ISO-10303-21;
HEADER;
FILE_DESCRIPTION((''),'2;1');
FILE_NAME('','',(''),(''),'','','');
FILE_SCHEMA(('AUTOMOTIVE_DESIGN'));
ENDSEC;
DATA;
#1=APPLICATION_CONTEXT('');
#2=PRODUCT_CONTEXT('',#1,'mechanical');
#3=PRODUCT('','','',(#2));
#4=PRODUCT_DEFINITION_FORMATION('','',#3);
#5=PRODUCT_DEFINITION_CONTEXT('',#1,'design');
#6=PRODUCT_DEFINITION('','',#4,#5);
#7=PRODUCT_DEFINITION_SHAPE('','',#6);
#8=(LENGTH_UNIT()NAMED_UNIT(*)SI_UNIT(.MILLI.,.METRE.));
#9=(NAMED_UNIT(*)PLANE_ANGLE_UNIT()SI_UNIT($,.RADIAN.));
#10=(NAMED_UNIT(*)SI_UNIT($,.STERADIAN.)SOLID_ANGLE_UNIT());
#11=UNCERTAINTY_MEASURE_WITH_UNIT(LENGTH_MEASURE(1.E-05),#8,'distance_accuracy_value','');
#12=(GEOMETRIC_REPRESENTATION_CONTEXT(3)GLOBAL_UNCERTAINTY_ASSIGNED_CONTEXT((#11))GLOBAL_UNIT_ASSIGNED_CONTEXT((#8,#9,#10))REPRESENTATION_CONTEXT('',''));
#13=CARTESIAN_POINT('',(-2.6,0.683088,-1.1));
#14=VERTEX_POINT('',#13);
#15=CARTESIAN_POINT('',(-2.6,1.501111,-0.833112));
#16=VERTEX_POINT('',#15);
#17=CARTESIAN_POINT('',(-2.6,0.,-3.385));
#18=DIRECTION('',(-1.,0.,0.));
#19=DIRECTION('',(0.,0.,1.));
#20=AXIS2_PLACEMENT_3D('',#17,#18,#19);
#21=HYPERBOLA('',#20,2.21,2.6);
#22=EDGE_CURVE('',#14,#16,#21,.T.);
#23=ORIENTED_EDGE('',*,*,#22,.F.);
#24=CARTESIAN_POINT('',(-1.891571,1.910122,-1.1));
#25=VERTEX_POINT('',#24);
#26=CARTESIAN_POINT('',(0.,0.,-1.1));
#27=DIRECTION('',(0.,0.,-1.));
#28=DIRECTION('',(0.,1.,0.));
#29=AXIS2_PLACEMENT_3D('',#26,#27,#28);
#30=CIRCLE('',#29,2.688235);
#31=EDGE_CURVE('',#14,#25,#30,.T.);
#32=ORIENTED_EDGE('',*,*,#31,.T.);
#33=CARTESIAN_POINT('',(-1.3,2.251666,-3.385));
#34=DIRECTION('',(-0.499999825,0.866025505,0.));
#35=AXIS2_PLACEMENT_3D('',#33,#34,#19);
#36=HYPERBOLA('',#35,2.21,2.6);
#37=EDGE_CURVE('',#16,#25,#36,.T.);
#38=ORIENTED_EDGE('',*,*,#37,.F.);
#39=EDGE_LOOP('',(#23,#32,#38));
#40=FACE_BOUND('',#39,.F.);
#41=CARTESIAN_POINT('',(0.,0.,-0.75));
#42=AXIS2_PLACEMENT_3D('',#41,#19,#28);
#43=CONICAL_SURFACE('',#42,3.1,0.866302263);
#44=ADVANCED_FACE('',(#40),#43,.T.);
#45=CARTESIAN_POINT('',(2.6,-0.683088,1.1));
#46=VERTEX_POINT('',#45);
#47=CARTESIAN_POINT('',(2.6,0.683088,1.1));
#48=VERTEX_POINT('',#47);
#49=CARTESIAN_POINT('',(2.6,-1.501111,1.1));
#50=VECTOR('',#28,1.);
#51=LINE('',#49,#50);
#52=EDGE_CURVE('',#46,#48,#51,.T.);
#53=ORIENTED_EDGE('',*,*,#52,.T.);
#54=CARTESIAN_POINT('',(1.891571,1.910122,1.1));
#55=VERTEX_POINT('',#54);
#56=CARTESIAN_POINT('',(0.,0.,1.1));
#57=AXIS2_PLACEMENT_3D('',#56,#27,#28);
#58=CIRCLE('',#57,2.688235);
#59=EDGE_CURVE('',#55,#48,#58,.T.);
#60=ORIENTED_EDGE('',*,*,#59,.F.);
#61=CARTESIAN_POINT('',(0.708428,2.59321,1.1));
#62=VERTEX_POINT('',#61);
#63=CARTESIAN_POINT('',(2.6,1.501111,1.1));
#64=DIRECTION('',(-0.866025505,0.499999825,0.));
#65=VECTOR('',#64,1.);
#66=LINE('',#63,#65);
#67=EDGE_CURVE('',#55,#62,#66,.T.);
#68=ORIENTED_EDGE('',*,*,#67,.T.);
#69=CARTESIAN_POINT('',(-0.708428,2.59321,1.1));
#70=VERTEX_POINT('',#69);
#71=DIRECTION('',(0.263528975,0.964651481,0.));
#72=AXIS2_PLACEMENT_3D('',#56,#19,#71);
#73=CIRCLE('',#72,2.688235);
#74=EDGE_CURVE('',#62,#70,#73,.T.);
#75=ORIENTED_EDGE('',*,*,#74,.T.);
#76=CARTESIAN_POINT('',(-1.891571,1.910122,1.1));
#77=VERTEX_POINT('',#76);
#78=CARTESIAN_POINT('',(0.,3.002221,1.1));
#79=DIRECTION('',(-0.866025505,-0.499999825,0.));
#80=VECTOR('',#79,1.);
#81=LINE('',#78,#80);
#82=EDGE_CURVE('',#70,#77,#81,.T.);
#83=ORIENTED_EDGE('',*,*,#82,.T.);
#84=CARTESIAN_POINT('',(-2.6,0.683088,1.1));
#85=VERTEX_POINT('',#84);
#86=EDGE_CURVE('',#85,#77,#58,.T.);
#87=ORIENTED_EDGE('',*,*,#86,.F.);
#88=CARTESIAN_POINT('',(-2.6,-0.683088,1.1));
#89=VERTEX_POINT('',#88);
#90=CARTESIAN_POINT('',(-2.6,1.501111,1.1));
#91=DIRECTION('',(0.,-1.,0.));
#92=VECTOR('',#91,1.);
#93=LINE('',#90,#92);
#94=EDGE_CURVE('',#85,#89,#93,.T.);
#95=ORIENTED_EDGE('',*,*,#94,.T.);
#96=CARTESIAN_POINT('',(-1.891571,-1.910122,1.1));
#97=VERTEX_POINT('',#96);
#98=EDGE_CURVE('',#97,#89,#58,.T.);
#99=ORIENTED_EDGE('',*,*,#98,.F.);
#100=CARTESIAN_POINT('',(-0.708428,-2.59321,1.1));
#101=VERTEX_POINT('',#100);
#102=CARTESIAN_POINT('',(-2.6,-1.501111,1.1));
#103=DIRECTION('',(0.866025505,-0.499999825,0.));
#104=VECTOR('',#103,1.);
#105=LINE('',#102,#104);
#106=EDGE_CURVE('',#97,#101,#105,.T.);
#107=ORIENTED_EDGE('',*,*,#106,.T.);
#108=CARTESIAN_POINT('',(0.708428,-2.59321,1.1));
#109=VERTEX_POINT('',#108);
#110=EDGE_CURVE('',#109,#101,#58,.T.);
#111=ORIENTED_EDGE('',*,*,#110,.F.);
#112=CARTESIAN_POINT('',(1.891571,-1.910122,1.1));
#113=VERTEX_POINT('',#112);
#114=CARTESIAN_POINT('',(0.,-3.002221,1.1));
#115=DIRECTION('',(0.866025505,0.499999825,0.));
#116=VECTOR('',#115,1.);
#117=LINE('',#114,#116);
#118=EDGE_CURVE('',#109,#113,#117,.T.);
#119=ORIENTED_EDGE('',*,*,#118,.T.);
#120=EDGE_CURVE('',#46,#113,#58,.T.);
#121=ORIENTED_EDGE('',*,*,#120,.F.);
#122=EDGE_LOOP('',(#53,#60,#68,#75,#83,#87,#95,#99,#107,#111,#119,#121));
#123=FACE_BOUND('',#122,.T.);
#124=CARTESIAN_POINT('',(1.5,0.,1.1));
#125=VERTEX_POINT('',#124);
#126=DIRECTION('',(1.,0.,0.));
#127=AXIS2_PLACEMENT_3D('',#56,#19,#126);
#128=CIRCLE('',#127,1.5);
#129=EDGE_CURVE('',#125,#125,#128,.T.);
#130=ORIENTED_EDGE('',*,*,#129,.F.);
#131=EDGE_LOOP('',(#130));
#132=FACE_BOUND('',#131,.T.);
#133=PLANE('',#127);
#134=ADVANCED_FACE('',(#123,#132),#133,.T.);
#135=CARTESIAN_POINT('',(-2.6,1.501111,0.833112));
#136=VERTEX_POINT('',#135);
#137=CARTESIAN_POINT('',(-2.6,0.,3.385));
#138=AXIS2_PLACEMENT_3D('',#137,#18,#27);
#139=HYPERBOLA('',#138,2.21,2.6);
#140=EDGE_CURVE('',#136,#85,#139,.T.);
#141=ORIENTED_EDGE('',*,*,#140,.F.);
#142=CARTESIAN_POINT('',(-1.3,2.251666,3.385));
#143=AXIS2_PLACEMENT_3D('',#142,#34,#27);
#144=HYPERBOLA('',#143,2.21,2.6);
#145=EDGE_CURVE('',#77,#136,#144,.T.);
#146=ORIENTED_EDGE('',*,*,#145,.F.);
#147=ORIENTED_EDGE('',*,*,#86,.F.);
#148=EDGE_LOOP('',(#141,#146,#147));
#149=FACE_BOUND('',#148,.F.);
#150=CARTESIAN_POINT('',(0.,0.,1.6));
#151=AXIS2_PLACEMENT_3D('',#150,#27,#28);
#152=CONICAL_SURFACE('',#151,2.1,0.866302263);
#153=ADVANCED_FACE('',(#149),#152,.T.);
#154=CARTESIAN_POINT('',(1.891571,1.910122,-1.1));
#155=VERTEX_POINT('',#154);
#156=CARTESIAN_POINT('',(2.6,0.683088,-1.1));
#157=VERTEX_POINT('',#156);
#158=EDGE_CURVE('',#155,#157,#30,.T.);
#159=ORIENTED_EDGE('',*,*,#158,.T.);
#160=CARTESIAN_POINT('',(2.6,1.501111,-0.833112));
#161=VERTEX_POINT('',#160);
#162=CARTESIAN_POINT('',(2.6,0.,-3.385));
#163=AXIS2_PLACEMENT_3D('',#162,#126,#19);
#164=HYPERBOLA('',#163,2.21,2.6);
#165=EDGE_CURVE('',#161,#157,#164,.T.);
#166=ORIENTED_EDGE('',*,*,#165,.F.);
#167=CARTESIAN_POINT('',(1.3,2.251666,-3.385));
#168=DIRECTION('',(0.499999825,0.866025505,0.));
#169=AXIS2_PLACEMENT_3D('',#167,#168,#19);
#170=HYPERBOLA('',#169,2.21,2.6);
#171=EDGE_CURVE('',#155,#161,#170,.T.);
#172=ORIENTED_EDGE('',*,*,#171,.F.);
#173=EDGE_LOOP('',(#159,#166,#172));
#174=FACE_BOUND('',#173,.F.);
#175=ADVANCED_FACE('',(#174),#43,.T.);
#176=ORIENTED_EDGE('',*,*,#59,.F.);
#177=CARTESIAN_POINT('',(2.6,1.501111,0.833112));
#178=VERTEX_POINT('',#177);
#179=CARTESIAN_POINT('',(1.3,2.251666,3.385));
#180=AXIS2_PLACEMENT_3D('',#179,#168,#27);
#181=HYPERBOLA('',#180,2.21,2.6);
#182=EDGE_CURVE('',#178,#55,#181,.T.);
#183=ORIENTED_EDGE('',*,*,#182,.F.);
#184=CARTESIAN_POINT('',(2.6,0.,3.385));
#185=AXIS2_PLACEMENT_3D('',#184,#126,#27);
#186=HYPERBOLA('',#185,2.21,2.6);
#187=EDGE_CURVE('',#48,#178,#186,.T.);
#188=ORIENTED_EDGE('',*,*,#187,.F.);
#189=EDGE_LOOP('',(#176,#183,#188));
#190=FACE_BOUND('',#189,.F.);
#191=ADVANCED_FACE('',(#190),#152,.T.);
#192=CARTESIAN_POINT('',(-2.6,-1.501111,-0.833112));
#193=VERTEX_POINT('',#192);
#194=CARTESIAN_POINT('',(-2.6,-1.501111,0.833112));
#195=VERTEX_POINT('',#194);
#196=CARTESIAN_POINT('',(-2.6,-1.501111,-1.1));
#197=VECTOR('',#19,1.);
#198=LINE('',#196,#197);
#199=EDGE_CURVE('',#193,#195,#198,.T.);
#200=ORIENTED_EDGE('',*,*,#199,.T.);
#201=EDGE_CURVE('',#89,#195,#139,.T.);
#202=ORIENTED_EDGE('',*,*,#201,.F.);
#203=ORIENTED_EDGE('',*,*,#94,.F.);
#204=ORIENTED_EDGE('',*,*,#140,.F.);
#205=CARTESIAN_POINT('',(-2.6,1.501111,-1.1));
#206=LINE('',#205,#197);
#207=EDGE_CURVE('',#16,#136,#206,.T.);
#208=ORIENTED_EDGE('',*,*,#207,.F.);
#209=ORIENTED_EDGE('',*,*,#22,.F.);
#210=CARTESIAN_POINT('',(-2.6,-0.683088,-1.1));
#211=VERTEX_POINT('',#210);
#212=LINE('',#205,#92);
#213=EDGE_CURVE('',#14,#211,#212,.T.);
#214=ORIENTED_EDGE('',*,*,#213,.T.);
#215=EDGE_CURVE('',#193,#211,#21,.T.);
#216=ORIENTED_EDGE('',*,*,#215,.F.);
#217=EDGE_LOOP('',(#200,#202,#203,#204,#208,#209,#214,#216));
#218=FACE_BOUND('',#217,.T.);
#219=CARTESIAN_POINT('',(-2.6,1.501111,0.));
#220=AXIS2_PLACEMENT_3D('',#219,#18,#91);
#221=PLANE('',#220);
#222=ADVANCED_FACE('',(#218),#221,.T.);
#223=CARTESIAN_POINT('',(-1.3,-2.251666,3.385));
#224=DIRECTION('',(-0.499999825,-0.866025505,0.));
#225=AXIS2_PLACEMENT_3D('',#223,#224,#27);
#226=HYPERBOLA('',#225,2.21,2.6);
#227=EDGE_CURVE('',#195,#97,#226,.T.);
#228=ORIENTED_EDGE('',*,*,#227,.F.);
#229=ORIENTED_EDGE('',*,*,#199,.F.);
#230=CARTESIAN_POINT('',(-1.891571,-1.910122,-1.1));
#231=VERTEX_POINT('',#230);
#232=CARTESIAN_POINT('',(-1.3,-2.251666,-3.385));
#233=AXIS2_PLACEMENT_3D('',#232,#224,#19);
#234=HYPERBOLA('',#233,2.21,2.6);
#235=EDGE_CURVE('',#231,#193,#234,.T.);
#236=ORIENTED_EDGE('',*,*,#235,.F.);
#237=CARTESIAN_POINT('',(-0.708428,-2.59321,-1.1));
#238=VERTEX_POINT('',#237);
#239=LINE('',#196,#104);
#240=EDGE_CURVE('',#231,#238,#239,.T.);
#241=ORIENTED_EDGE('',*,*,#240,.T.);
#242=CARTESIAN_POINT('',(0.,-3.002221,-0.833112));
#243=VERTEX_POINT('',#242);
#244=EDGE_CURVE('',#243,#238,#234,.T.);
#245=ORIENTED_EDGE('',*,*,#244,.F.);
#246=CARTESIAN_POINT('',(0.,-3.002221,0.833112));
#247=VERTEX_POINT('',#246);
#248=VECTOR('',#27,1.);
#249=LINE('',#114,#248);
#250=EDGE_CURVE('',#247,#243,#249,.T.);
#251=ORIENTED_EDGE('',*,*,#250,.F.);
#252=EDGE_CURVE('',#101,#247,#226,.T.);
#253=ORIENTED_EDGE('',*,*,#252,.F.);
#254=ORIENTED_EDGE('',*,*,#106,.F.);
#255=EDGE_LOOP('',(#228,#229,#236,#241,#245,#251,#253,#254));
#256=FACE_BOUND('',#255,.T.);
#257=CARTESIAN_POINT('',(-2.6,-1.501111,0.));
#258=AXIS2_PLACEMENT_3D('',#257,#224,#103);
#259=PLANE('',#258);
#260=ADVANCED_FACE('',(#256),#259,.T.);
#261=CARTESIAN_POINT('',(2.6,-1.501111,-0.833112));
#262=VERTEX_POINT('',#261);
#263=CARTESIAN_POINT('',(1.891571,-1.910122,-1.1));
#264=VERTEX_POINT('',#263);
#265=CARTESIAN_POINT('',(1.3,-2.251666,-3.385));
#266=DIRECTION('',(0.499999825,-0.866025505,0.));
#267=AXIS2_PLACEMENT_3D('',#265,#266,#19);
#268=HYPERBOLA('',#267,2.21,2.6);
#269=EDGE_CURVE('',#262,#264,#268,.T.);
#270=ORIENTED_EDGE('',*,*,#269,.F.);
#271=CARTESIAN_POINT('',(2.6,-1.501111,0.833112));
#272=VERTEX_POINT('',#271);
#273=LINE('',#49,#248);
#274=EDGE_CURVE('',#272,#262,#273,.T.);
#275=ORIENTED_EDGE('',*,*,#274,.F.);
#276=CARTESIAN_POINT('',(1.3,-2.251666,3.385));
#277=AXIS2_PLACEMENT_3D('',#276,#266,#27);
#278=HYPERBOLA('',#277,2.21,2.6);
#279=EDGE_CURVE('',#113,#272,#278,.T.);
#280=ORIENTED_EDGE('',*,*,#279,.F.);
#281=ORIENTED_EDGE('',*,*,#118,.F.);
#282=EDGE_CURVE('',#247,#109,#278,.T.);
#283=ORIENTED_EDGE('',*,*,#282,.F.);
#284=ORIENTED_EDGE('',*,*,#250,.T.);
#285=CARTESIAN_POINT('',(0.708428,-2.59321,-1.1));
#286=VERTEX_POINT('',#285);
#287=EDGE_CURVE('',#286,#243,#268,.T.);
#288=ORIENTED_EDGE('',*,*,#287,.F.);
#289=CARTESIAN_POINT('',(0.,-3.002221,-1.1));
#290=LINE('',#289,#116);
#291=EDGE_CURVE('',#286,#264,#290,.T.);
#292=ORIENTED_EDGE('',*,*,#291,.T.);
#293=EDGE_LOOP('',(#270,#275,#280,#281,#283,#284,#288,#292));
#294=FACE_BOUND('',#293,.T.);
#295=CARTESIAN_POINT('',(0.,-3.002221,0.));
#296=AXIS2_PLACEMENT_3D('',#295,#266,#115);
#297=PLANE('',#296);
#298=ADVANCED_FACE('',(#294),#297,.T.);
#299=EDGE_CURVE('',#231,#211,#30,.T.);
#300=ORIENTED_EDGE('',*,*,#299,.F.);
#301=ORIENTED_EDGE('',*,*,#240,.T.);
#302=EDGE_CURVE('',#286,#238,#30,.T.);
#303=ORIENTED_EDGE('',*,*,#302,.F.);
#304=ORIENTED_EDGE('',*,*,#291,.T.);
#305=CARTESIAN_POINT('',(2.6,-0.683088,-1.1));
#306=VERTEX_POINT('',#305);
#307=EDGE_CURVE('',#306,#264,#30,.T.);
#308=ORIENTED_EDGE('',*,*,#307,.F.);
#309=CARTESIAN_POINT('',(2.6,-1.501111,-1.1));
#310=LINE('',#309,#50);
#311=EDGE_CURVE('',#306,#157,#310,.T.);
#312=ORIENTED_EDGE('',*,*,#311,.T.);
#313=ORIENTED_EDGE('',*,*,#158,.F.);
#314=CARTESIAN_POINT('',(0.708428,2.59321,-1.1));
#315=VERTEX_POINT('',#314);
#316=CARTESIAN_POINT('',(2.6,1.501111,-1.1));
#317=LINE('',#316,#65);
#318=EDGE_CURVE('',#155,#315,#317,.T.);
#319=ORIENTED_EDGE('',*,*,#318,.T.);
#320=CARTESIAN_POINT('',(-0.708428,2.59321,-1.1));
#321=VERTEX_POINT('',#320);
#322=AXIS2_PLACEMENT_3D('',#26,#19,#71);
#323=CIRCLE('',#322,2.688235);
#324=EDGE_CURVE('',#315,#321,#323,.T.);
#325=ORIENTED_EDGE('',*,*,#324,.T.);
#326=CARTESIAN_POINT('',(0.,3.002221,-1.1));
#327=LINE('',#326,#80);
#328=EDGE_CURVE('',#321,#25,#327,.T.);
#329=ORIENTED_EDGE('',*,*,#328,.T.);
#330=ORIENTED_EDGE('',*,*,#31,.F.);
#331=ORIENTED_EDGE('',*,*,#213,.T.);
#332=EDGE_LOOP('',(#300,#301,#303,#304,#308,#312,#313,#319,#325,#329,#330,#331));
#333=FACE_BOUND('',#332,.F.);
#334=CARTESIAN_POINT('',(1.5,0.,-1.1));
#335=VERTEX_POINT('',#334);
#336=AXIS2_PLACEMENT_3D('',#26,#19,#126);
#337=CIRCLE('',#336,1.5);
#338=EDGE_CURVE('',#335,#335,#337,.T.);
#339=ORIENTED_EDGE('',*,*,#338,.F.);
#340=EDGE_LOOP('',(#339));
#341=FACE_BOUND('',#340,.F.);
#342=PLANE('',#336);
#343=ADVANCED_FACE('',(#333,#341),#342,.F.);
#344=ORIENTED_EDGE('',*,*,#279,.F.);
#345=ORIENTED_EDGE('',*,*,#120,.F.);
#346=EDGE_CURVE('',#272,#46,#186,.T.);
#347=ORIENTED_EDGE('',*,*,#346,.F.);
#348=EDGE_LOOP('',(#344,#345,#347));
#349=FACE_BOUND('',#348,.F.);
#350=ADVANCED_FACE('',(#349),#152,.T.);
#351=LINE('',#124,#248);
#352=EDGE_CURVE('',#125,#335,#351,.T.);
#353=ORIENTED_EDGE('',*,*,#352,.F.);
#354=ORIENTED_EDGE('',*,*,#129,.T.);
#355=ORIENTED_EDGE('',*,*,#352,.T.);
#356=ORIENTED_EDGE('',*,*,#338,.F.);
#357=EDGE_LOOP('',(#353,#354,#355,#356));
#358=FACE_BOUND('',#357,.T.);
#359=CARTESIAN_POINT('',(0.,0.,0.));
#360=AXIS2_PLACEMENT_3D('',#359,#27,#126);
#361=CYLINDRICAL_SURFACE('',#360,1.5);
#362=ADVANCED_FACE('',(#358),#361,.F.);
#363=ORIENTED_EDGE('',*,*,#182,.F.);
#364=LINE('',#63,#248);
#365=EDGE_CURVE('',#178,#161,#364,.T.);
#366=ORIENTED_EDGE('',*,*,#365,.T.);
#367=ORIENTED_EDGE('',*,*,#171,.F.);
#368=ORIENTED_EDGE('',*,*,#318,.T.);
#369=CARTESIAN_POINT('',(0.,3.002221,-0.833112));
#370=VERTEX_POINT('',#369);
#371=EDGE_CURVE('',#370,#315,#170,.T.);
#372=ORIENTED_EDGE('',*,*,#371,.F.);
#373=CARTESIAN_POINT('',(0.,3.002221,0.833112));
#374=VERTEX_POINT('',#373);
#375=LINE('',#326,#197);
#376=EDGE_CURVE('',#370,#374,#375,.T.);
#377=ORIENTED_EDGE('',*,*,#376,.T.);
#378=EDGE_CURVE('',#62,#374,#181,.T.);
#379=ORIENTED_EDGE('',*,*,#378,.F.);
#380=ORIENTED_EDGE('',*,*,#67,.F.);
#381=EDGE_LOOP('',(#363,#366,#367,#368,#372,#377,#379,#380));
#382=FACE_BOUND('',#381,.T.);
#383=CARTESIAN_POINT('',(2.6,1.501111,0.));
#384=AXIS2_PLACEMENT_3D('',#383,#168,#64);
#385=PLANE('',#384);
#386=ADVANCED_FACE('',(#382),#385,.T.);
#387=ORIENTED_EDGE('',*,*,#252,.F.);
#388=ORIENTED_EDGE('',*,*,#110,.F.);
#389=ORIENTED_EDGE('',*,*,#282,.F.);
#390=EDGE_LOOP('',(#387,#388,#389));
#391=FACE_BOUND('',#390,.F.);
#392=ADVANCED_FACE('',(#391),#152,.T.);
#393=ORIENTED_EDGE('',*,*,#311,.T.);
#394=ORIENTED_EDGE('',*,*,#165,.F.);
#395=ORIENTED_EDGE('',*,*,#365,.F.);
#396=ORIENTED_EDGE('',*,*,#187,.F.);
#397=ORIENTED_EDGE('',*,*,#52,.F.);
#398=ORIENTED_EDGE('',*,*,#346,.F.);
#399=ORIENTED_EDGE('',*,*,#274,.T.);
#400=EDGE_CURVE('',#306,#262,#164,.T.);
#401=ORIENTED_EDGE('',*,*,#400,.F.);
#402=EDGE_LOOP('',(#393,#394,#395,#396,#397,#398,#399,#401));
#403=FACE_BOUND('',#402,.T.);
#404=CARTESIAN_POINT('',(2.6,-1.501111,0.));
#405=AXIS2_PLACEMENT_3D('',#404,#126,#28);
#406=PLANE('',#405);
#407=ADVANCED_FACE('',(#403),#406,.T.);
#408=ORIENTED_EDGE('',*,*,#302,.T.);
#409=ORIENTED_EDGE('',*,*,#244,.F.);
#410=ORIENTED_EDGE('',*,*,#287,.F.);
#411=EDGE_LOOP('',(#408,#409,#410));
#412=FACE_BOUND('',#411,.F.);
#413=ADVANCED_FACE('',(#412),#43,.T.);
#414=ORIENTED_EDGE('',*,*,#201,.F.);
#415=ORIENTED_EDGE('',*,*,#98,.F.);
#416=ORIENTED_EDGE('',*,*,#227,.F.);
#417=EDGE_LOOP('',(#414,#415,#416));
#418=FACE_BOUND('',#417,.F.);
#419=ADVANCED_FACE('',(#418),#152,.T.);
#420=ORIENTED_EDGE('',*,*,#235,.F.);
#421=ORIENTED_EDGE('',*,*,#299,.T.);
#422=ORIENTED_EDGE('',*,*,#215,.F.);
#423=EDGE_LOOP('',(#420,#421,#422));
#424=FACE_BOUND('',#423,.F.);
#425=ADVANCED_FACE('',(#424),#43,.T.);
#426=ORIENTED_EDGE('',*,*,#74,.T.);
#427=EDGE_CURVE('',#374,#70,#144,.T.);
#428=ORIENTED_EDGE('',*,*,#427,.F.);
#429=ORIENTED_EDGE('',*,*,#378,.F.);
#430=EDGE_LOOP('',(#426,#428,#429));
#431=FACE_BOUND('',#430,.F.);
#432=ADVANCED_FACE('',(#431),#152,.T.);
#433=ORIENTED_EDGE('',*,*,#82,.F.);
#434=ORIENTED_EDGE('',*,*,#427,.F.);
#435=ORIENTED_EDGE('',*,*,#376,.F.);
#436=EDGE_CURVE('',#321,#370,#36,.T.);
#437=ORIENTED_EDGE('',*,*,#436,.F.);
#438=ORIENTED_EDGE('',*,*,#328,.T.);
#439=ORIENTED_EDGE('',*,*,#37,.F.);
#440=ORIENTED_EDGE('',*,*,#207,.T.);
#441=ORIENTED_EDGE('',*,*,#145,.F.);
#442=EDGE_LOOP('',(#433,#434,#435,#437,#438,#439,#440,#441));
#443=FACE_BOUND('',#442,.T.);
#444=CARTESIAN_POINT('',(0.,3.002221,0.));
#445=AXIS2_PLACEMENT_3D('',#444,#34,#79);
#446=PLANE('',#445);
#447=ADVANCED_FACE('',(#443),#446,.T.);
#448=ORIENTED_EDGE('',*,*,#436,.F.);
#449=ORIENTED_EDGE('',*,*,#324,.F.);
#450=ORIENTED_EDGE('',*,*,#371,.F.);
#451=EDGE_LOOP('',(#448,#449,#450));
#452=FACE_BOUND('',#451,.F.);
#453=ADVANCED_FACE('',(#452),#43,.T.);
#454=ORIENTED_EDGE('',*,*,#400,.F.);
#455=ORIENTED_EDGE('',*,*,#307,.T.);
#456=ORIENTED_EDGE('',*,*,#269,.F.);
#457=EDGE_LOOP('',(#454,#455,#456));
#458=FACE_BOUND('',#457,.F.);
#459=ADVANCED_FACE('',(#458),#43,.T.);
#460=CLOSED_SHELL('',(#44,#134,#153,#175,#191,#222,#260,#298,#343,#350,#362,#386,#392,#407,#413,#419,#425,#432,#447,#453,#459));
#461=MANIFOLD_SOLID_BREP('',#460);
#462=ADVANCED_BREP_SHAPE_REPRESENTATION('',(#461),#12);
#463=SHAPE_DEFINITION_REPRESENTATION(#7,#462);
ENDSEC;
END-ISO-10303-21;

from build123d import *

# Parameters (mm, degrees)
SKETCH_R  = 1.5
PAD_DEPTH = 1.1


with BuildPart() as body001:
    # Sketch002 → Revolution (revolve)
    with BuildSketch(Plane.YZ):
        Polygon((2.1, 1.6), (3.1, 0.75), (3.1, -0.75), (2.1, -1.6), (4.1, -1.6), (4.1, 1.6), align=None)
    revolve(axis=Axis((0, 0, 0), (0, 0, 1)))


with BuildPart() as cut:
    # Sketch → Pad (new body, symmetric)
    with BuildSketch(Plane.XY):
        Polygon((2.6, 1.501111), (0, 3.002221), (-2.6, 1.501111), (-2.6, -1.501111), (0, -3.002221), (2.6, -1.501111), align=None)
        Circle(SKETCH_R, mode=Mode.SUBTRACT)
    extrude(amount=PAD_DEPTH, both=True)

    # Cut: cut Body001
    add(body001.part, mode=Mode.SUBTRACT)


solid = cut.part
